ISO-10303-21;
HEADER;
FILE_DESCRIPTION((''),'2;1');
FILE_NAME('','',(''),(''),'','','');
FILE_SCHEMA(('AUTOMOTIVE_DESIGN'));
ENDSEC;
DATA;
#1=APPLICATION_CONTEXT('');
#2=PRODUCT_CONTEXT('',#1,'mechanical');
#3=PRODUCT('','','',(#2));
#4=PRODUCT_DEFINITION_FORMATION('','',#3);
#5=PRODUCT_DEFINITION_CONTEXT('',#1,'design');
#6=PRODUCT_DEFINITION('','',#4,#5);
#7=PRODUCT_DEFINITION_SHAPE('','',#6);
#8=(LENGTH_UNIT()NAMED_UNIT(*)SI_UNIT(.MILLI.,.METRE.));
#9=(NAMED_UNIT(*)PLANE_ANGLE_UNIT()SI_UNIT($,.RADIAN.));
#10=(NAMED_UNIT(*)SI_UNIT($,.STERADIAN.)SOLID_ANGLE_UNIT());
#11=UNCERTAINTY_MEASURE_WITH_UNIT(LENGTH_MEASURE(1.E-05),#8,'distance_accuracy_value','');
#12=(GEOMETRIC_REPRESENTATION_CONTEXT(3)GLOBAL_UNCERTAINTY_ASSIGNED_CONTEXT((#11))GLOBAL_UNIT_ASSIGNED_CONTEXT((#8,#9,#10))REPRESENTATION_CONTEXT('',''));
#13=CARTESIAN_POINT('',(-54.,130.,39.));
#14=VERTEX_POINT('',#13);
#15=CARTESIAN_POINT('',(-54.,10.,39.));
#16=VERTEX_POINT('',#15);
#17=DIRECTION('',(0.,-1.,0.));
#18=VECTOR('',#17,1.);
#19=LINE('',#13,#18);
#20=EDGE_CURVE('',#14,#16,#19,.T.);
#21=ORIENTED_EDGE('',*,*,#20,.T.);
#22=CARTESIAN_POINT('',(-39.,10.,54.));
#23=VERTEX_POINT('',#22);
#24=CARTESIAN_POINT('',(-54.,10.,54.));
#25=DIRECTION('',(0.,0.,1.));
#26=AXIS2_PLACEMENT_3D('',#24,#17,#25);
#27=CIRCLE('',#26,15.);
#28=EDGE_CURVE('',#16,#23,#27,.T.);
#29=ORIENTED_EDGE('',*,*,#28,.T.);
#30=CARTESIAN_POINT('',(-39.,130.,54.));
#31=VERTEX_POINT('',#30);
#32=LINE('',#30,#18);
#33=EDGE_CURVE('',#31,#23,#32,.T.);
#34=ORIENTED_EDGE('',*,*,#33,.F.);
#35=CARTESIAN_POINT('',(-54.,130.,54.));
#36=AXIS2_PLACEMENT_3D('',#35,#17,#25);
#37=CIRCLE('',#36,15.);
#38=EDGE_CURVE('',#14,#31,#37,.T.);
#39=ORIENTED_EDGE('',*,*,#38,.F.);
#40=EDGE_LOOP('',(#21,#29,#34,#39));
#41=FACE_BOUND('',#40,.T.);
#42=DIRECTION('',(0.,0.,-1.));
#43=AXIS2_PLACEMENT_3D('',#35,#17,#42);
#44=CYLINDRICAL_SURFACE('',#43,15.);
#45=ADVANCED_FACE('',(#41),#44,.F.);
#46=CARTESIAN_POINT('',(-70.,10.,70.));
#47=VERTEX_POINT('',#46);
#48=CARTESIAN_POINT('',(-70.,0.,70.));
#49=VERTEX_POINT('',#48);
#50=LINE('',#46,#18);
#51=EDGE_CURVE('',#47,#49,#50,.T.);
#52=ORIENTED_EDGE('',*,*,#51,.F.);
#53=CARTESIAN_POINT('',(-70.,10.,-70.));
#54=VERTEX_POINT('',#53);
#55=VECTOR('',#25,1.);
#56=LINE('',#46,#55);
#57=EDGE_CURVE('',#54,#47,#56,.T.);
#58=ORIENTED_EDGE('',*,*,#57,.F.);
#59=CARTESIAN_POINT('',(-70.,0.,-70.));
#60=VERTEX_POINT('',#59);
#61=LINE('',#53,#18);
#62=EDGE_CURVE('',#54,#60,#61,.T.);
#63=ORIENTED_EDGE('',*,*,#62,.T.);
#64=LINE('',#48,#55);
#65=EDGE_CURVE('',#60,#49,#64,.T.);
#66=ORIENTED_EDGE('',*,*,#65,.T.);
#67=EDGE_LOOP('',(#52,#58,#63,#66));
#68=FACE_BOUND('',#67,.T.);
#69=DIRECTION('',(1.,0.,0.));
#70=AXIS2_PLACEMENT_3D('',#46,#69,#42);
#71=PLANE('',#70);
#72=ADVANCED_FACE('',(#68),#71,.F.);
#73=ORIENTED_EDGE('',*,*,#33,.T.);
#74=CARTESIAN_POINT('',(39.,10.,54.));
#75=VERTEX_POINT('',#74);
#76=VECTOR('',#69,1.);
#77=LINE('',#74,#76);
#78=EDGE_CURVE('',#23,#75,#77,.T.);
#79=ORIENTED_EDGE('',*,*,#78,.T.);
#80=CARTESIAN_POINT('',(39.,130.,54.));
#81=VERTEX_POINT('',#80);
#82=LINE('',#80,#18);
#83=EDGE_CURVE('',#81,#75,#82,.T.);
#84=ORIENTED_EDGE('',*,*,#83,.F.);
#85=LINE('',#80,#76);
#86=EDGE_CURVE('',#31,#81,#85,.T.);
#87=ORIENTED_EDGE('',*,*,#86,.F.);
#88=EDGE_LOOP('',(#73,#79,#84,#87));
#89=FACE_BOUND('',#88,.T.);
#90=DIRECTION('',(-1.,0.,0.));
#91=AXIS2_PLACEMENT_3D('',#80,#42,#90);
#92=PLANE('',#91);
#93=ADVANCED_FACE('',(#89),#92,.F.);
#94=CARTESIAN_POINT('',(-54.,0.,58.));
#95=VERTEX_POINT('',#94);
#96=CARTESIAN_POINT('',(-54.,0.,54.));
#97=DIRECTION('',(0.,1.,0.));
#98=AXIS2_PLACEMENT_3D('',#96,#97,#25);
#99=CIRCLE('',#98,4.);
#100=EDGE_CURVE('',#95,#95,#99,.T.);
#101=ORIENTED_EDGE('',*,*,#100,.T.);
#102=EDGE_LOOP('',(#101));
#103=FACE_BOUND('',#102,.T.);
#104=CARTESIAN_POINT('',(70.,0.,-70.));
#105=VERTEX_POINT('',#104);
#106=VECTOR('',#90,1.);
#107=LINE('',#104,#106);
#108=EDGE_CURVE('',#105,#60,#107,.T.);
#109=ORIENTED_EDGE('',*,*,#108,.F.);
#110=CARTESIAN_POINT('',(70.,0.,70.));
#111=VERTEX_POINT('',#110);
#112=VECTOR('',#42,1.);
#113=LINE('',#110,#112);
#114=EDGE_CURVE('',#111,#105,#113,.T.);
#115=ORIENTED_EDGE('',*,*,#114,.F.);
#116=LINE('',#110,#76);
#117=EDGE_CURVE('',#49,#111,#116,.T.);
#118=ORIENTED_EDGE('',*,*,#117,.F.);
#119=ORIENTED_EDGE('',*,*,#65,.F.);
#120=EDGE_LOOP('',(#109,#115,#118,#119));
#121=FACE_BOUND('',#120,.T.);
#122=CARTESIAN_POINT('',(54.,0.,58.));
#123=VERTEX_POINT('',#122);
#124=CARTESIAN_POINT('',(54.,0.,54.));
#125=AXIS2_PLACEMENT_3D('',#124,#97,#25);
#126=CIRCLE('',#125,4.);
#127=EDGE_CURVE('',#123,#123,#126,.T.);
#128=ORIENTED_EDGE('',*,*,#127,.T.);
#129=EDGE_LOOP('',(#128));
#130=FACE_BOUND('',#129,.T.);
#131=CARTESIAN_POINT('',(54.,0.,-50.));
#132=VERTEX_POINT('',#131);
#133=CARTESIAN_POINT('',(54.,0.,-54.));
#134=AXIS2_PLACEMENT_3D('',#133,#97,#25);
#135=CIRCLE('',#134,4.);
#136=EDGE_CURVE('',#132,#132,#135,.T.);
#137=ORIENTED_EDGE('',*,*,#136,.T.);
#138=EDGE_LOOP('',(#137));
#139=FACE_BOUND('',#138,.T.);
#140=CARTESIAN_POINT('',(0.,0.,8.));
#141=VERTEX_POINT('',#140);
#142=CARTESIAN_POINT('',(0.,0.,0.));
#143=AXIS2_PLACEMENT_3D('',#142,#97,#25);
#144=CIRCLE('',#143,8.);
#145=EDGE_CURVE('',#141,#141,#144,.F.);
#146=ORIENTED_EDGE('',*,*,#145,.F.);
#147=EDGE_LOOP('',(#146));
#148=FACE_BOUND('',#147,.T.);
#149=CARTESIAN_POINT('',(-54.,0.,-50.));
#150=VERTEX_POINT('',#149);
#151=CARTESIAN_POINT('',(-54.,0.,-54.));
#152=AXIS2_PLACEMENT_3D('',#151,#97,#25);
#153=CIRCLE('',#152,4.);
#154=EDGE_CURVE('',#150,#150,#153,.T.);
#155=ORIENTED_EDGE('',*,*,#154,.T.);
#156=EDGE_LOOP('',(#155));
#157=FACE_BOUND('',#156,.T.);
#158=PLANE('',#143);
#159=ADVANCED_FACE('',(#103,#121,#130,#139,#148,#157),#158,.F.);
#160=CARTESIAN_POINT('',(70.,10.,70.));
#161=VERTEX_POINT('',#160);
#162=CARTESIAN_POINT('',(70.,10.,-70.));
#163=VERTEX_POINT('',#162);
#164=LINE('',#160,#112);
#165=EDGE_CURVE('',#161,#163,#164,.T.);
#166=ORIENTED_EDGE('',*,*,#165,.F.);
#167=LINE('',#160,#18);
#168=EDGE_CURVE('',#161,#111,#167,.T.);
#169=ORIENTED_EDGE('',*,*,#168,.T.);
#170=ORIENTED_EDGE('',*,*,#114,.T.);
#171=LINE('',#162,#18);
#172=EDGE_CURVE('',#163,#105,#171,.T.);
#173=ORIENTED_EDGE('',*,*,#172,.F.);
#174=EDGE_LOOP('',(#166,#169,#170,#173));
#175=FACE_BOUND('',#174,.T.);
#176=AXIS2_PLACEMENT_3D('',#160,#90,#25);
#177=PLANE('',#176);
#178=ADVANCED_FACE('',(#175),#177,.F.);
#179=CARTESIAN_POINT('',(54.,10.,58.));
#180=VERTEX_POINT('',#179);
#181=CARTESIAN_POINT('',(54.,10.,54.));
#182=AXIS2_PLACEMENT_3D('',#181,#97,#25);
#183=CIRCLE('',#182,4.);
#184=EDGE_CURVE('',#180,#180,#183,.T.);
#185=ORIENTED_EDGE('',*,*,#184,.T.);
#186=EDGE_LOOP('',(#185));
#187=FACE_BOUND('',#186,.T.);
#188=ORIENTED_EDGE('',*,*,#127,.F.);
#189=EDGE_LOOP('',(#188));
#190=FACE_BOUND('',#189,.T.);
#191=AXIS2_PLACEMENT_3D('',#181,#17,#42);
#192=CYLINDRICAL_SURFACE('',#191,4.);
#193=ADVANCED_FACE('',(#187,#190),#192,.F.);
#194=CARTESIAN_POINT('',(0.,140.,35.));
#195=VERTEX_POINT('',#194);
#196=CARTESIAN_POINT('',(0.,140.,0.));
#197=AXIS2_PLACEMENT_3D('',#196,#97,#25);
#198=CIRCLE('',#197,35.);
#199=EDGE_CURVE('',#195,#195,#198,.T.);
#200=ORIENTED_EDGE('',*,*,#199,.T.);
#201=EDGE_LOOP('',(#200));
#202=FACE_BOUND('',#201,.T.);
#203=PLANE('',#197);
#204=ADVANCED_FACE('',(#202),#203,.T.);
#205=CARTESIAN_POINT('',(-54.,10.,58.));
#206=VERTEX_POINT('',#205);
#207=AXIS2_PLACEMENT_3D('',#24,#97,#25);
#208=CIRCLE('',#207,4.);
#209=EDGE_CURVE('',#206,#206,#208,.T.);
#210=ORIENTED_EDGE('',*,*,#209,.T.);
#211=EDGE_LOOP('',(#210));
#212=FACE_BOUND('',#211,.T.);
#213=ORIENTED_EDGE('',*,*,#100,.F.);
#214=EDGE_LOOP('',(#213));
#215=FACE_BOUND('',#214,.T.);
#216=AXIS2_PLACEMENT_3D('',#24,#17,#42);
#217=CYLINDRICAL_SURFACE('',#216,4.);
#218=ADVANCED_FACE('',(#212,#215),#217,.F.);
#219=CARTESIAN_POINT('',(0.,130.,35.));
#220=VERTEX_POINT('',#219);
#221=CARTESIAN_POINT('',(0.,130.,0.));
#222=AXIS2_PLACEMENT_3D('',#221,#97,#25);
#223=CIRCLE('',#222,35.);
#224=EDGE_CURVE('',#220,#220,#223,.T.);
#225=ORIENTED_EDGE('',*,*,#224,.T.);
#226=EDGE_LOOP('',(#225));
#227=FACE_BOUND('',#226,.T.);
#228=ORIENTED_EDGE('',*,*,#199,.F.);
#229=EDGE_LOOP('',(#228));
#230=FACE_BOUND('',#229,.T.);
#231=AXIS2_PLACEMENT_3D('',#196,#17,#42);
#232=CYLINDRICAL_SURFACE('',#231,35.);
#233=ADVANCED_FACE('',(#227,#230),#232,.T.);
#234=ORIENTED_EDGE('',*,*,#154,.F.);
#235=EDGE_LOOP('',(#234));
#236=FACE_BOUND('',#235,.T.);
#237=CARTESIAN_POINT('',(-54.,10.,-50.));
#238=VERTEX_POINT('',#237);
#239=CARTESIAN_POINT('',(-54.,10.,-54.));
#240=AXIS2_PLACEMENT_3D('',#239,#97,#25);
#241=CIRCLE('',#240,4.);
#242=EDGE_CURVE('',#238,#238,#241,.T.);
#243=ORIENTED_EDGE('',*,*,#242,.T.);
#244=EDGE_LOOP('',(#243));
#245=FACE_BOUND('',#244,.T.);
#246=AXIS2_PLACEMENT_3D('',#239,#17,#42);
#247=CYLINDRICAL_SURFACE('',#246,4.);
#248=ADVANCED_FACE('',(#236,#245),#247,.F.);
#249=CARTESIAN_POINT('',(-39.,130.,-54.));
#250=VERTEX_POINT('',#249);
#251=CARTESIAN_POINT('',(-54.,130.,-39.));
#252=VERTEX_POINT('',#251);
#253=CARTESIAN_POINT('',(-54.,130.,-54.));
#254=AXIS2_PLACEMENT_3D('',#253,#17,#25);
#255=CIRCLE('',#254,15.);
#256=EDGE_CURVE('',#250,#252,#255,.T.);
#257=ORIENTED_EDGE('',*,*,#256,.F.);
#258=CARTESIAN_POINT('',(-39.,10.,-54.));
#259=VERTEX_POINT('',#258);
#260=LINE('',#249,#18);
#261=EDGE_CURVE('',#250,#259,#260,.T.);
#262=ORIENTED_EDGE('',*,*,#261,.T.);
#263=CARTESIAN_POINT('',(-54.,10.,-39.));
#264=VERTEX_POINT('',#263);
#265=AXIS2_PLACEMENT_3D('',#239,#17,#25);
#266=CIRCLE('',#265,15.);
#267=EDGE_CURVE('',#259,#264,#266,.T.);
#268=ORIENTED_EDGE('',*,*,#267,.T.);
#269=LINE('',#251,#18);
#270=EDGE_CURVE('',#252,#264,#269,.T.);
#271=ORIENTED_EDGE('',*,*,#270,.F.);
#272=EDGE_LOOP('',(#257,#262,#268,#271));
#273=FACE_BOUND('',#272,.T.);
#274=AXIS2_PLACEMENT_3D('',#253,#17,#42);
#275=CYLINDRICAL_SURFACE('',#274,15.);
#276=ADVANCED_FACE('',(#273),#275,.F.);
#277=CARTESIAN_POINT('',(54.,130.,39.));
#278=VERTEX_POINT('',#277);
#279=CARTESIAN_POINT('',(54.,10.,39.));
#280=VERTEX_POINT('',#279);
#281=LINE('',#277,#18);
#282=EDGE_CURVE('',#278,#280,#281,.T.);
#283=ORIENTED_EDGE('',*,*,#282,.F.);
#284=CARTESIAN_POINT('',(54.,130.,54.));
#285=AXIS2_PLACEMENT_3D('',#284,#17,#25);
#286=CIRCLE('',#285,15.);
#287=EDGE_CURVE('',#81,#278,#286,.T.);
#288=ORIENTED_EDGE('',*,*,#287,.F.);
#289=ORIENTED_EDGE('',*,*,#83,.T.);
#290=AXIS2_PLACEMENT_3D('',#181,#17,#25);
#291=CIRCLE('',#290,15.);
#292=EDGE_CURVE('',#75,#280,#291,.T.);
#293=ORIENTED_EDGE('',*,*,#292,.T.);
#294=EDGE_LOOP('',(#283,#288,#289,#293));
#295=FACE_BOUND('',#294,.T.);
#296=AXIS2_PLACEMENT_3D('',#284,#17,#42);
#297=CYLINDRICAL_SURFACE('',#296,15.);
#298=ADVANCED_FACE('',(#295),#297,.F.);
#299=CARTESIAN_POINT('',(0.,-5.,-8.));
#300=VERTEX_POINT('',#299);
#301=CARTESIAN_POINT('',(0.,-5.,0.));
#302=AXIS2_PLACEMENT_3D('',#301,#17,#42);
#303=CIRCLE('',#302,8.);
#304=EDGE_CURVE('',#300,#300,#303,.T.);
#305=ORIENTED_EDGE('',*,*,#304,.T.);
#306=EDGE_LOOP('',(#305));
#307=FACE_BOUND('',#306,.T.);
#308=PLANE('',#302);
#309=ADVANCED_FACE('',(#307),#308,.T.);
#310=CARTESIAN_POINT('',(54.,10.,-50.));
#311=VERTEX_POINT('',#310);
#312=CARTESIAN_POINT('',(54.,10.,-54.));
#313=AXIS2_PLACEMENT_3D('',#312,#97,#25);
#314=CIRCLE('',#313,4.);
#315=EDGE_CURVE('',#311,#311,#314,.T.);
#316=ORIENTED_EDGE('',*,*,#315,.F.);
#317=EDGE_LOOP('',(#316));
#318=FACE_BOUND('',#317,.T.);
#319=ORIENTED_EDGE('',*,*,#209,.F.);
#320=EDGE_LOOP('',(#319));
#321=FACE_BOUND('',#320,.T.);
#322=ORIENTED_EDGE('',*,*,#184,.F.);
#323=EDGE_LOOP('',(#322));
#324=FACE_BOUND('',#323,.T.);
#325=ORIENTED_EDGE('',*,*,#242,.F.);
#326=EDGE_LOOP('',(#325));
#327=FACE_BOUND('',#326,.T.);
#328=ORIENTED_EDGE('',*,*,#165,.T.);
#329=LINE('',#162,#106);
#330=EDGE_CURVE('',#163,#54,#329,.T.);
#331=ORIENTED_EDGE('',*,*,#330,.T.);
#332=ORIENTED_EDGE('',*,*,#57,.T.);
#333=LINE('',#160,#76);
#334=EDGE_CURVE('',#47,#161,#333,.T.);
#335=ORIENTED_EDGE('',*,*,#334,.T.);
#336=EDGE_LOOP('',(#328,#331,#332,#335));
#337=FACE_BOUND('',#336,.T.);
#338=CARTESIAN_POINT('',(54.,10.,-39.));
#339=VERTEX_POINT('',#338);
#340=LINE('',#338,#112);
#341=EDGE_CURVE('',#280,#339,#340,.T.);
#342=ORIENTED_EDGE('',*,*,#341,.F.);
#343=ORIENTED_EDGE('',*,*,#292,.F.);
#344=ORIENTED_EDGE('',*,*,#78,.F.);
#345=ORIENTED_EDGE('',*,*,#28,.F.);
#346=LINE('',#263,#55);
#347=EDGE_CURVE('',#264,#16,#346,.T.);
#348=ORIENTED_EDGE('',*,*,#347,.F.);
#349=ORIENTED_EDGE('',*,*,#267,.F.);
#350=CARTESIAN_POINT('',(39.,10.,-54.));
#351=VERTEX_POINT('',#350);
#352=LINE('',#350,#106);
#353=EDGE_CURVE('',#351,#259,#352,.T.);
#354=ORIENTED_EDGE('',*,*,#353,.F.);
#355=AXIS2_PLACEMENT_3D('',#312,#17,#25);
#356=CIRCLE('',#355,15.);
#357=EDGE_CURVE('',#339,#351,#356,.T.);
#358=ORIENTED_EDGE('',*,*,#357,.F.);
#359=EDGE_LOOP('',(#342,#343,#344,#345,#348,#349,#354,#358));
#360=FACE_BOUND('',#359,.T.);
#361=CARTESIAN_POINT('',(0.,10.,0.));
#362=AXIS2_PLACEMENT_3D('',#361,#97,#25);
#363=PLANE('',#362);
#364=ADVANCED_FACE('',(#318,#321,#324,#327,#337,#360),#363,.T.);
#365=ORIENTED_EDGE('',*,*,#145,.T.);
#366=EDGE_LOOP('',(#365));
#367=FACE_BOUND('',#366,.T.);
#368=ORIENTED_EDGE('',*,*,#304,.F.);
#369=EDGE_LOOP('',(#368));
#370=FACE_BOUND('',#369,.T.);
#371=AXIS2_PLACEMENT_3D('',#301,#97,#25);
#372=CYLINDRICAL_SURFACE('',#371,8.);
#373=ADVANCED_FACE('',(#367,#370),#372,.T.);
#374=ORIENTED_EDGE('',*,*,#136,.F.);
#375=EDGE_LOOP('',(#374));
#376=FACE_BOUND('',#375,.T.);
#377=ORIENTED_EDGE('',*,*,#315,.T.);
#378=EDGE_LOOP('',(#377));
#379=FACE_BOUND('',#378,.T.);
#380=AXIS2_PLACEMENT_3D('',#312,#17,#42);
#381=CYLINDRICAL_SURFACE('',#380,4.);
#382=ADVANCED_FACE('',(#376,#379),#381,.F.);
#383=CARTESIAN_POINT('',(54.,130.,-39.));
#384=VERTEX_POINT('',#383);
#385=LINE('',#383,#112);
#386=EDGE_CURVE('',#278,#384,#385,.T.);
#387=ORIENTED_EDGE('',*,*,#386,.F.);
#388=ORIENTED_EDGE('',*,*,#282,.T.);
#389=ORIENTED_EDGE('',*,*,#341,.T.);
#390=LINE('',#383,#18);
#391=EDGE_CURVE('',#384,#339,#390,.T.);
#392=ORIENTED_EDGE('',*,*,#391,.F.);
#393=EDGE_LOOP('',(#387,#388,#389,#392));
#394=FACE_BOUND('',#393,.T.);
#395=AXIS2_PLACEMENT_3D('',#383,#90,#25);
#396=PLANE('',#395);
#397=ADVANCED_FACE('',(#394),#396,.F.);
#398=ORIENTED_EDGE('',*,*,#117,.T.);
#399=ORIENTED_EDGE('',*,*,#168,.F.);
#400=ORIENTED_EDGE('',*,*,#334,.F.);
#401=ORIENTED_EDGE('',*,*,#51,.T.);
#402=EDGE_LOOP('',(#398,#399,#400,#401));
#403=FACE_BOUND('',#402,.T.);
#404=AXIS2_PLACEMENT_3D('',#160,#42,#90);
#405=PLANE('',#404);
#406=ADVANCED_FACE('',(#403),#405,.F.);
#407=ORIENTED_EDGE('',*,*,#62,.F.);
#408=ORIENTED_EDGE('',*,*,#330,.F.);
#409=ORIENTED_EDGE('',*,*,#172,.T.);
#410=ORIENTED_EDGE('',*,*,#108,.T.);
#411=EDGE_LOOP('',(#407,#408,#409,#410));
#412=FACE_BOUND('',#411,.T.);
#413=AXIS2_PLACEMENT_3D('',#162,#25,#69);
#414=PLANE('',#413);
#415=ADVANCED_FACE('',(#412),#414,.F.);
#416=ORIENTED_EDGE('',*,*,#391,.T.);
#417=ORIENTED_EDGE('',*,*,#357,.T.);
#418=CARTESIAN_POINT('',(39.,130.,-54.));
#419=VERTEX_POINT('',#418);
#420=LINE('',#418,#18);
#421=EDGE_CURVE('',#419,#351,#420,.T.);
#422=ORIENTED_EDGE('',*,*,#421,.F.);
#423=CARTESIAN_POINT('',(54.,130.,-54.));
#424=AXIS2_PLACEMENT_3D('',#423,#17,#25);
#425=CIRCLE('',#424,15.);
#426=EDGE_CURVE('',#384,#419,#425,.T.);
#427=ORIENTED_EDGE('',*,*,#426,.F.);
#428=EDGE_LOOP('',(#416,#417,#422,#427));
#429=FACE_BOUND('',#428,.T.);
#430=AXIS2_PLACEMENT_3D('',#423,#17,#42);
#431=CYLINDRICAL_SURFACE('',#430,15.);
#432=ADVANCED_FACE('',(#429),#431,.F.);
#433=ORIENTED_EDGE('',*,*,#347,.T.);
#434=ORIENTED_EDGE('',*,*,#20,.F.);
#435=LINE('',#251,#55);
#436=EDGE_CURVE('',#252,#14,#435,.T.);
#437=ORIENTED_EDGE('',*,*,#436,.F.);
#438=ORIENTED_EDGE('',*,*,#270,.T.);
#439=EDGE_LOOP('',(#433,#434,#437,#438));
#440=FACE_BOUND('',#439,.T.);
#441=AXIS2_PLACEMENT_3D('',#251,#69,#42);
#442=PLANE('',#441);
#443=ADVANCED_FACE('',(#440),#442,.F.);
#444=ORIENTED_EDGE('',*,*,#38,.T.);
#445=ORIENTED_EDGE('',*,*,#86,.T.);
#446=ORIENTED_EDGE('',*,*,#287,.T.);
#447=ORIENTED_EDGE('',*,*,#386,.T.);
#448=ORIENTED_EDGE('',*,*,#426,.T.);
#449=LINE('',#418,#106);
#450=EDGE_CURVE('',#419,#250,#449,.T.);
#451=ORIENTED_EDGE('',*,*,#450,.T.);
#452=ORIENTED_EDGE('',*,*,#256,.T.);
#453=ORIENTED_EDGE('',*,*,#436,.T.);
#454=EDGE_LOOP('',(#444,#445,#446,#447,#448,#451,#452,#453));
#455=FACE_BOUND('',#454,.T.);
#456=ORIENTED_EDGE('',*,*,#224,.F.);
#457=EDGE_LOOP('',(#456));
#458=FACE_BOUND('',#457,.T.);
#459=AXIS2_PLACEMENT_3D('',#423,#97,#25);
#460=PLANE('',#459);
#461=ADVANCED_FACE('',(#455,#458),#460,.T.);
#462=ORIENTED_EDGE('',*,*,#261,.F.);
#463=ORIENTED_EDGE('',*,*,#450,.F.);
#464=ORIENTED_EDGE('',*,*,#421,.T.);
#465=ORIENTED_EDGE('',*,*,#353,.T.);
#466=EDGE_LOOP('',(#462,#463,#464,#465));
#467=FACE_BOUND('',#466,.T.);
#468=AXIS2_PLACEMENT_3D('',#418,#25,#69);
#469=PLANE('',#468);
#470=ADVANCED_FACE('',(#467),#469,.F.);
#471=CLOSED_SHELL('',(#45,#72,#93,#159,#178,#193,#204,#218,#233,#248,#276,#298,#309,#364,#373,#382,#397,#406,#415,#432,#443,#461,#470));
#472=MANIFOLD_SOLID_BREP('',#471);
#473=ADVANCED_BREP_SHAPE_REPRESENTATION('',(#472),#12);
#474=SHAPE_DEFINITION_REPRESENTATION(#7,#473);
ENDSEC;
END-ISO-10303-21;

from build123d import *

# Parameters (mm, degrees)
SKETCH_1_W      = 140
SKETCH_1_H      = 140
SKETCH_1_R      = 4
EXTRUDE_1_DEPTH = 10
EXTRUDE_2_DEPTH = 120
SKETCH_3_R      = 35
EXTRUDE_3_DEPTH = 10
SKETCH_4_R      = 8
EXTRUDE_4_DEPTH = 5


with BuildPart() as part:
    # 草图1 → 凸台-拉伸1 (new body)
    with BuildSketch(Plane(origin=(0, 0, 0), x_dir=(1, 0, 0), z_dir=(0, 1, 0))):
        Rectangle(SKETCH_1_W, SKETCH_1_H)
        with Locations((54, 54)):
            Circle(SKETCH_1_R, mode=Mode.SUBTRACT)
        with Locations((54, -54)):
            Circle(SKETCH_1_R, mode=Mode.SUBTRACT)
        with Locations((-54, -54)):
            Circle(SKETCH_1_R, mode=Mode.SUBTRACT)
        with Locations((-54, 54)):
            Circle(SKETCH_1_R, mode=Mode.SUBTRACT)
    extrude(amount=EXTRUDE_1_DEPTH)

    # 草图2 → 凸台-拉伸2 (add)
    with BuildSketch(Plane(origin=(0, 10, 0), x_dir=(1, 0, 0), z_dir=(0, 1, 0))):
        with BuildLine():
            Line((39, 54), (-39, 54))
            ThreePointArc((-39, 54), (-43.393398282, 43.393398282), (-54, 39))
            Line((-54, 39), (-54, -39))
            ThreePointArc((-54, -39), (-43.393398282, -43.393398282), (-39, -54))
            Line((-39, -54), (39, -54))
            ThreePointArc((39, -54), (43.393398282, -43.393398282), (54, -39))
            Line((54, -39), (54, 39))
            ThreePointArc((54, 39), (43.393398282, 43.393398282), (39, 54))
        make_face()
    extrude(amount=EXTRUDE_2_DEPTH)

    # 草图3 → 凸台-拉伸3 (add)
    with BuildSketch(Plane(origin=(0, 130, 0), x_dir=(1, 0, 0), z_dir=(0, 1, 0))):
        Circle(SKETCH_3_R)
    extrude(amount=EXTRUDE_3_DEPTH)

    # 草图4 → 凸台-拉伸4 (add)
    with BuildSketch(Plane.XZ):
        Circle(SKETCH_4_R)
    extrude(amount=EXTRUDE_4_DEPTH)


solid = part.part
